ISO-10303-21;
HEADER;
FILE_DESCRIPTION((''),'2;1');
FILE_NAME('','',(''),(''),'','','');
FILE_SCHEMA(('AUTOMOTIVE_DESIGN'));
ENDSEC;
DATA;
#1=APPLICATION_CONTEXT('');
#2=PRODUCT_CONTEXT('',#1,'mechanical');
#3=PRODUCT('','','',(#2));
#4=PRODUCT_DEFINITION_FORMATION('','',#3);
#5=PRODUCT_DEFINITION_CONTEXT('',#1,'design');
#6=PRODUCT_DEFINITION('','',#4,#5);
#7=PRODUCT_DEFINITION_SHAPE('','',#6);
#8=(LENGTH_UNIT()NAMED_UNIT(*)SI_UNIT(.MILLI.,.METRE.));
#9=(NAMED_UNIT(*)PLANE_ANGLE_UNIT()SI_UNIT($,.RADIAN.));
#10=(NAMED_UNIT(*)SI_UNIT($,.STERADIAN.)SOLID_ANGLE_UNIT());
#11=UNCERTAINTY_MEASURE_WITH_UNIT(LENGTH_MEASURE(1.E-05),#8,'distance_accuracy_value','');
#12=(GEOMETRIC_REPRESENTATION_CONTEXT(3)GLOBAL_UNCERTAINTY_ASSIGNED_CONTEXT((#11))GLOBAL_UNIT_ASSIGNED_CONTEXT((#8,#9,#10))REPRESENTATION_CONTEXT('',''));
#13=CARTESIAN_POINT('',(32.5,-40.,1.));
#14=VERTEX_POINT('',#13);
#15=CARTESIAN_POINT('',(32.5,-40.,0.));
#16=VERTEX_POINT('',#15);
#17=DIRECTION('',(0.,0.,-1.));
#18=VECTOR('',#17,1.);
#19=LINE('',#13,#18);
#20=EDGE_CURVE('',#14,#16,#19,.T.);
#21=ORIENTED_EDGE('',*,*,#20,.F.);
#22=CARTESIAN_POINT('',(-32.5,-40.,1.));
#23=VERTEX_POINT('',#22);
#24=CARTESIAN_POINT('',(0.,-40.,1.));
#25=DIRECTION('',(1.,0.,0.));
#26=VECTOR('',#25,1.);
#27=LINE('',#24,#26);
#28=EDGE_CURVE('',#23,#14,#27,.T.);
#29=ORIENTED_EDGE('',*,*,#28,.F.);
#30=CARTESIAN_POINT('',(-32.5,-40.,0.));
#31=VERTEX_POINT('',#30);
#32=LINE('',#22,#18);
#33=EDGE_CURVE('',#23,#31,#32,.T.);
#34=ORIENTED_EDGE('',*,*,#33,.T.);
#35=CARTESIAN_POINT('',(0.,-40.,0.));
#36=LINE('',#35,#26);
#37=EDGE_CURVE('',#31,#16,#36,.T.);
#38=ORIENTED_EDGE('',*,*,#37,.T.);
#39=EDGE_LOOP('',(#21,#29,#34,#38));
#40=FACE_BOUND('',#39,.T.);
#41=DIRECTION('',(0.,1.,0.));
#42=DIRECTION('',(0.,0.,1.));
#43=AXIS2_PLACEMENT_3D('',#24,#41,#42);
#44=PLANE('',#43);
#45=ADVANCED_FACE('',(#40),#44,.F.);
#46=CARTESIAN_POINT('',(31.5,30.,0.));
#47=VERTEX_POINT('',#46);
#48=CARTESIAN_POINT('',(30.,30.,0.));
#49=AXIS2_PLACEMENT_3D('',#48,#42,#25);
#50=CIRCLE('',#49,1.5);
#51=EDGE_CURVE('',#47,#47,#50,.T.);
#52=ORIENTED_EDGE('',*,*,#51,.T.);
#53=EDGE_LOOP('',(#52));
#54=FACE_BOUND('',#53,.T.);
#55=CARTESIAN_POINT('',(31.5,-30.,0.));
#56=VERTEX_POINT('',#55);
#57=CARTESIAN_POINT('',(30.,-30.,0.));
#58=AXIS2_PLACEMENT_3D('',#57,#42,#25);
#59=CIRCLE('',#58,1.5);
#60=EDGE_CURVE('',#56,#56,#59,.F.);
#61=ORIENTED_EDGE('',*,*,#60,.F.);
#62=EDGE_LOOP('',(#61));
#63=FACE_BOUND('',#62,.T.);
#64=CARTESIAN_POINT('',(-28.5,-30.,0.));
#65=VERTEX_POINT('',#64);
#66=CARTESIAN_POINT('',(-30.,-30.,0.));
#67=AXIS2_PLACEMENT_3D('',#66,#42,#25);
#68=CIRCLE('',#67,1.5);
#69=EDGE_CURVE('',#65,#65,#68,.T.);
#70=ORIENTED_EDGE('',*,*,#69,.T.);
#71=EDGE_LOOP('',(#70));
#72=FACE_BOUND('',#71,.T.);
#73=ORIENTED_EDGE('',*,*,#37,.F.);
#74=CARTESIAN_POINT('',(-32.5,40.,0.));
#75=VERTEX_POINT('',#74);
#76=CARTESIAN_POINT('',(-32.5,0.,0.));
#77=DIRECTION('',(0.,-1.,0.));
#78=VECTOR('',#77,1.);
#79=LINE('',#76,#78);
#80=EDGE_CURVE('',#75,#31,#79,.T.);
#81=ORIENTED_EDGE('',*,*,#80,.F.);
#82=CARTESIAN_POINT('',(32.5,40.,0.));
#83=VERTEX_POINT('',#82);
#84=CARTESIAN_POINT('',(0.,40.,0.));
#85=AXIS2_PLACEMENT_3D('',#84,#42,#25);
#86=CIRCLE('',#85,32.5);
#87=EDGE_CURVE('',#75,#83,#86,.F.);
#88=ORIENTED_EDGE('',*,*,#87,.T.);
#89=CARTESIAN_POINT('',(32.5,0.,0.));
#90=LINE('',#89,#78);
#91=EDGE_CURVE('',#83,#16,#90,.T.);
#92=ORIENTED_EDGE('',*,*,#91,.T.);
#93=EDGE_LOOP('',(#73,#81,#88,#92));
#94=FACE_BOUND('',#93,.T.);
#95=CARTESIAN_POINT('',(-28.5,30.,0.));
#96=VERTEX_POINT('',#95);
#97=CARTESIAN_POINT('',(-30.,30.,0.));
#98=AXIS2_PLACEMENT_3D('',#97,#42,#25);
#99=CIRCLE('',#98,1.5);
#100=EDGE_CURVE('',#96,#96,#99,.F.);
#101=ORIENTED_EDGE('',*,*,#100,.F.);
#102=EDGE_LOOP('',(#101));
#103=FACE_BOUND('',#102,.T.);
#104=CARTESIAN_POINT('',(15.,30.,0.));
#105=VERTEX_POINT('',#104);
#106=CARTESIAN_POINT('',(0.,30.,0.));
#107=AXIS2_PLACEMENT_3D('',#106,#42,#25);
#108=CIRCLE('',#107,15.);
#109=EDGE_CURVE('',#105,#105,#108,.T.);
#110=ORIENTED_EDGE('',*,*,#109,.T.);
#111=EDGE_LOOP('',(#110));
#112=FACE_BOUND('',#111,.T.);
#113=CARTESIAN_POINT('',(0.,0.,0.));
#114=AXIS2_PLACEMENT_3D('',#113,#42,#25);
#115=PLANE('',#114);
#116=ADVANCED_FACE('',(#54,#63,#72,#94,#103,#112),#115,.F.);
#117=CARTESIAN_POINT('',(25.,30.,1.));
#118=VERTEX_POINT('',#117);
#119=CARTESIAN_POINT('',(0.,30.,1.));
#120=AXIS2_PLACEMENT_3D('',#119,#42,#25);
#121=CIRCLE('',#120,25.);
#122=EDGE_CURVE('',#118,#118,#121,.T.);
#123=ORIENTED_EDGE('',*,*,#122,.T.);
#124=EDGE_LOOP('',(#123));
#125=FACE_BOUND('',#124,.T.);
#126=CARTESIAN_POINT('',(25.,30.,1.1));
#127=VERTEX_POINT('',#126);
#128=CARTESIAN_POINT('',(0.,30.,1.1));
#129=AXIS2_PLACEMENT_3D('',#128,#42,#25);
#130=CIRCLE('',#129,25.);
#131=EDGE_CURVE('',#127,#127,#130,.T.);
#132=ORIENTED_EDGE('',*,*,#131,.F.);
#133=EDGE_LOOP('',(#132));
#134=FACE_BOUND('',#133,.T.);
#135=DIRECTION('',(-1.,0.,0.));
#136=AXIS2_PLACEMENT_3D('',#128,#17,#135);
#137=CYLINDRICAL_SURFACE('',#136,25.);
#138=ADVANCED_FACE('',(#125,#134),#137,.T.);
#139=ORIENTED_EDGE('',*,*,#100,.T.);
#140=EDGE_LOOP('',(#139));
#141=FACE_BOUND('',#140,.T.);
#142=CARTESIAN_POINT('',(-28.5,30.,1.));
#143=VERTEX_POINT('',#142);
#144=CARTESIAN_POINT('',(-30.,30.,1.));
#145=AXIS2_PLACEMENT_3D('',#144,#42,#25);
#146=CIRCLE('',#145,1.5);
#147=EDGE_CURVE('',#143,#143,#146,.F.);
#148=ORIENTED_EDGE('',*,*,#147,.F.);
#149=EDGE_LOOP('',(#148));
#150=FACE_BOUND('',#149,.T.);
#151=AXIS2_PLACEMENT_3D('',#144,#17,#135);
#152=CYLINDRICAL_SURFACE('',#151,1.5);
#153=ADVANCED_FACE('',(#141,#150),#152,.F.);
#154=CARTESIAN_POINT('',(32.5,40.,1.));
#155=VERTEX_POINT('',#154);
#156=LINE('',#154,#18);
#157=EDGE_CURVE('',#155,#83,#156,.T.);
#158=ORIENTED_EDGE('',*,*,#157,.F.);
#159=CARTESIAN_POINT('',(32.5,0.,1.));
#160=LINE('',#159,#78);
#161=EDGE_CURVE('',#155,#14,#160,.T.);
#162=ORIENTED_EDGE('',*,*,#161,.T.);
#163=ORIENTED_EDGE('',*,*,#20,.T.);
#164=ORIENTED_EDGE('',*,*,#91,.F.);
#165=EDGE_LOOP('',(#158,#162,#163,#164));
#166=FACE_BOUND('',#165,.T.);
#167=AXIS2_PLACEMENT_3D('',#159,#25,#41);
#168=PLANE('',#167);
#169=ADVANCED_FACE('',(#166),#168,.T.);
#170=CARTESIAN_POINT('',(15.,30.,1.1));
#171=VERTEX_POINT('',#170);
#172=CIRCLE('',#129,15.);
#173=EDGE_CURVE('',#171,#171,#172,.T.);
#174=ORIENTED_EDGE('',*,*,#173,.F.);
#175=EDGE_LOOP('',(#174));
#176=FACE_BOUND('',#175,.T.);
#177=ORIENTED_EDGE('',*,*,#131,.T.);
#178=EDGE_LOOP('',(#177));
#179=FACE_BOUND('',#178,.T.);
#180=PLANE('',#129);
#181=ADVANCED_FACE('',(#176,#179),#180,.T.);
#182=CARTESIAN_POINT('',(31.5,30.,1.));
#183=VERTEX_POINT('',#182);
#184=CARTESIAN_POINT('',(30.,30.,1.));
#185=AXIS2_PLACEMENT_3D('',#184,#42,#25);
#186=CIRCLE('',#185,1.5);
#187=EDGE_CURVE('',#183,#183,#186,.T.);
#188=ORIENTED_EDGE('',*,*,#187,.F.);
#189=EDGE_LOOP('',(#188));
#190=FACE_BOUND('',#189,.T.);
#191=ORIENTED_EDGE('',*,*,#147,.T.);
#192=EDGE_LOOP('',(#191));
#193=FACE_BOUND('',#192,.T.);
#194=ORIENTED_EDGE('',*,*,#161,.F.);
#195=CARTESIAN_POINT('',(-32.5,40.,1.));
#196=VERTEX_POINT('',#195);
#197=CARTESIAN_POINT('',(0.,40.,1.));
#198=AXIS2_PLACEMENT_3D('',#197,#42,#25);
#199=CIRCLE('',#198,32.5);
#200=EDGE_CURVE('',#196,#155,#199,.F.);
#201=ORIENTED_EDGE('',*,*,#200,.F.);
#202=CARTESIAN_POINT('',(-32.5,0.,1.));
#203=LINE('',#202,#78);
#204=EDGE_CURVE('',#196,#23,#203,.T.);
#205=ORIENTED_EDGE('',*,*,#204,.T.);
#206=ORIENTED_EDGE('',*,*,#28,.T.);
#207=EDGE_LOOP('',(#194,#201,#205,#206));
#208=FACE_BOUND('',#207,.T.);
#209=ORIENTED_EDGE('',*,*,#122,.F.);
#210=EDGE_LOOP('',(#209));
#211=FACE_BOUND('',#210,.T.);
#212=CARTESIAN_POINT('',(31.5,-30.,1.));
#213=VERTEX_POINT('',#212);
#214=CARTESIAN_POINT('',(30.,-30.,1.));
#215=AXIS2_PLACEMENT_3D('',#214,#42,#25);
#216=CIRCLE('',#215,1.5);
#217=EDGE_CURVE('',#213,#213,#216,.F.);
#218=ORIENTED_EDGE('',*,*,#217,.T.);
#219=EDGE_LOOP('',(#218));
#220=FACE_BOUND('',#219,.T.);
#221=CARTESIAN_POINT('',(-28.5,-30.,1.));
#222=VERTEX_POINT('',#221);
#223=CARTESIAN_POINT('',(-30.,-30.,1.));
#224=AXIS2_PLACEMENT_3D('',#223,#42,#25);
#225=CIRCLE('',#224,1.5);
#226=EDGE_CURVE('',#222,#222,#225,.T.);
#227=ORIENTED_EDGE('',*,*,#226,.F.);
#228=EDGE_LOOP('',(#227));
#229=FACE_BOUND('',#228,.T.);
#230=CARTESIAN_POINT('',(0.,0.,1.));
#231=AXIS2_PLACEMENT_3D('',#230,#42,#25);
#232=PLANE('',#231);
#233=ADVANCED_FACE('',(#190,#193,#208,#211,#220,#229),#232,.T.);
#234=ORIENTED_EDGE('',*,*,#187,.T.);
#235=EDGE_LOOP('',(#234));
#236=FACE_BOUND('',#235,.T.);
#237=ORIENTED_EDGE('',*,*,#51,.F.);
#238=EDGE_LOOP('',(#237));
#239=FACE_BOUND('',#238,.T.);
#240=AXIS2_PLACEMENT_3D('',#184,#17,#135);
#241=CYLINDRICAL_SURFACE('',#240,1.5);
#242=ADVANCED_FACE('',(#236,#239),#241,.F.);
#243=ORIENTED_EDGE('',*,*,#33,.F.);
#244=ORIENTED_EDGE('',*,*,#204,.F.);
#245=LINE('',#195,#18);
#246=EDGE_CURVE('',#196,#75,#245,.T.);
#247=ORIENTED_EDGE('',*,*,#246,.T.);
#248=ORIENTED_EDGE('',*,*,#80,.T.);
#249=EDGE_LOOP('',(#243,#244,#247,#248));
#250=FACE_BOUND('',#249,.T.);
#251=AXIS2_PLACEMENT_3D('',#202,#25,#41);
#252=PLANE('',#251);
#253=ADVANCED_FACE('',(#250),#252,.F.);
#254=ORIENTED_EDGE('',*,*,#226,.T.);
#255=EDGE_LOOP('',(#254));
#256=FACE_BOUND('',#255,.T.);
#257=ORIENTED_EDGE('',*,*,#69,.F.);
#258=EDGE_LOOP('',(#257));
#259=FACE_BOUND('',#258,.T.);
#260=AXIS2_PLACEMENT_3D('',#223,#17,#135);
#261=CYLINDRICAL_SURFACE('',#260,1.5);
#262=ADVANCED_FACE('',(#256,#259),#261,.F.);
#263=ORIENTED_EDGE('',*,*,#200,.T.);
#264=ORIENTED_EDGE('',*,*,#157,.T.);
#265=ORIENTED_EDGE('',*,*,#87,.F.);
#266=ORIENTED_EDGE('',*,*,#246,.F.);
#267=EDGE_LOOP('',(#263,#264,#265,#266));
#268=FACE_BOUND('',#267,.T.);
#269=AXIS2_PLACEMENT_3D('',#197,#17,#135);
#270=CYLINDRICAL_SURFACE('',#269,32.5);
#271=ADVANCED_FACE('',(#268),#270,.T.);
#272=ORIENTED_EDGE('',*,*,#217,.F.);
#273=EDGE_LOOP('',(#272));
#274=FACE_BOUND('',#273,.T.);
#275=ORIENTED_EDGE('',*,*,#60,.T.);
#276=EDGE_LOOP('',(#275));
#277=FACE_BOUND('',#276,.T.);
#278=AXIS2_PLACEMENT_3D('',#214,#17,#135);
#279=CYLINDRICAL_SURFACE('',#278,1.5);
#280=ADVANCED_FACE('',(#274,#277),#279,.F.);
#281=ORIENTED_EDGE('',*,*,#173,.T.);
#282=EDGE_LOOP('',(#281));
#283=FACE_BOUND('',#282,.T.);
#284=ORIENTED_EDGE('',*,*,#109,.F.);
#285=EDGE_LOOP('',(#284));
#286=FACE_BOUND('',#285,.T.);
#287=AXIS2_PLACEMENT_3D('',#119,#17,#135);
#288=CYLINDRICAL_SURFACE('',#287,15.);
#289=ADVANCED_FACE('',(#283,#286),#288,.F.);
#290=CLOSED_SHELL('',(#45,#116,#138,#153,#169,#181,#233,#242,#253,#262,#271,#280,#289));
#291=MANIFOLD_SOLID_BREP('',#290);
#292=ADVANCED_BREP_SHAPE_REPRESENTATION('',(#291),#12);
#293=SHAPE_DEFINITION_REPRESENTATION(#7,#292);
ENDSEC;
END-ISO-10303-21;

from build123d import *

# Parameters (mm, degrees)
SKETCH1_R           = 1.5
SKETCH1_R_2         = 15
BOSS_EXTRUDE1_DEPTH = 1
SKETCH2_R           = 25
BOSS_EXTRUDE2_DEPTH = 0.1
SKETCH3_R           = 15
CUT_EXTRUDE1_DEPTH  = 1


with BuildPart() as part:
    # Sketch1 → Boss-Extrude1 (new body)
    with BuildSketch(Plane.XY):
        with BuildLine():
            Line((-32.5, 40), (-32.5, -40))
            Line((-32.5, -40), (32.5, -40))
            Line((32.5, -40), (32.5, 40))
            ThreePointArc((32.5, 40), (0, 72.5), (-32.5, 40))
        make_face()
        with Locations((-30, -30)):
            Circle(SKETCH1_R, mode=Mode.SUBTRACT)
        with Locations((-30, 30)):
            Circle(SKETCH1_R, mode=Mode.SUBTRACT)
        with Locations((30, -30)):
            Circle(SKETCH1_R, mode=Mode.SUBTRACT)
        with Locations((30, 30)):
            Circle(SKETCH1_R, mode=Mode.SUBTRACT)
        with Locations((0, 30)):
            Circle(SKETCH1_R_2, mode=Mode.SUBTRACT)
    extrude(amount=BOSS_EXTRUDE1_DEPTH)

    # Sketch2 → Boss-Extrude2 (add)
    with BuildSketch(Plane.XY.offset(1)):
        with Locations((0, 30)):
            Circle(SKETCH2_R)
    extrude(amount=BOSS_EXTRUDE2_DEPTH)

    # Sketch3 → Cut-Extrude1 (cut)
    with BuildSketch(Plane(origin=(0, 0, 1), x_dir=(-1, 0, 0), z_dir=(0, 0, -1))):
        with Locations(Location((0, 30, 0), (0, 0, 180))):
            Circle(SKETCH3_R)
    extrude(amount=-CUT_EXTRUDE1_DEPTH, mode=Mode.SUBTRACT)


solid = part.part
